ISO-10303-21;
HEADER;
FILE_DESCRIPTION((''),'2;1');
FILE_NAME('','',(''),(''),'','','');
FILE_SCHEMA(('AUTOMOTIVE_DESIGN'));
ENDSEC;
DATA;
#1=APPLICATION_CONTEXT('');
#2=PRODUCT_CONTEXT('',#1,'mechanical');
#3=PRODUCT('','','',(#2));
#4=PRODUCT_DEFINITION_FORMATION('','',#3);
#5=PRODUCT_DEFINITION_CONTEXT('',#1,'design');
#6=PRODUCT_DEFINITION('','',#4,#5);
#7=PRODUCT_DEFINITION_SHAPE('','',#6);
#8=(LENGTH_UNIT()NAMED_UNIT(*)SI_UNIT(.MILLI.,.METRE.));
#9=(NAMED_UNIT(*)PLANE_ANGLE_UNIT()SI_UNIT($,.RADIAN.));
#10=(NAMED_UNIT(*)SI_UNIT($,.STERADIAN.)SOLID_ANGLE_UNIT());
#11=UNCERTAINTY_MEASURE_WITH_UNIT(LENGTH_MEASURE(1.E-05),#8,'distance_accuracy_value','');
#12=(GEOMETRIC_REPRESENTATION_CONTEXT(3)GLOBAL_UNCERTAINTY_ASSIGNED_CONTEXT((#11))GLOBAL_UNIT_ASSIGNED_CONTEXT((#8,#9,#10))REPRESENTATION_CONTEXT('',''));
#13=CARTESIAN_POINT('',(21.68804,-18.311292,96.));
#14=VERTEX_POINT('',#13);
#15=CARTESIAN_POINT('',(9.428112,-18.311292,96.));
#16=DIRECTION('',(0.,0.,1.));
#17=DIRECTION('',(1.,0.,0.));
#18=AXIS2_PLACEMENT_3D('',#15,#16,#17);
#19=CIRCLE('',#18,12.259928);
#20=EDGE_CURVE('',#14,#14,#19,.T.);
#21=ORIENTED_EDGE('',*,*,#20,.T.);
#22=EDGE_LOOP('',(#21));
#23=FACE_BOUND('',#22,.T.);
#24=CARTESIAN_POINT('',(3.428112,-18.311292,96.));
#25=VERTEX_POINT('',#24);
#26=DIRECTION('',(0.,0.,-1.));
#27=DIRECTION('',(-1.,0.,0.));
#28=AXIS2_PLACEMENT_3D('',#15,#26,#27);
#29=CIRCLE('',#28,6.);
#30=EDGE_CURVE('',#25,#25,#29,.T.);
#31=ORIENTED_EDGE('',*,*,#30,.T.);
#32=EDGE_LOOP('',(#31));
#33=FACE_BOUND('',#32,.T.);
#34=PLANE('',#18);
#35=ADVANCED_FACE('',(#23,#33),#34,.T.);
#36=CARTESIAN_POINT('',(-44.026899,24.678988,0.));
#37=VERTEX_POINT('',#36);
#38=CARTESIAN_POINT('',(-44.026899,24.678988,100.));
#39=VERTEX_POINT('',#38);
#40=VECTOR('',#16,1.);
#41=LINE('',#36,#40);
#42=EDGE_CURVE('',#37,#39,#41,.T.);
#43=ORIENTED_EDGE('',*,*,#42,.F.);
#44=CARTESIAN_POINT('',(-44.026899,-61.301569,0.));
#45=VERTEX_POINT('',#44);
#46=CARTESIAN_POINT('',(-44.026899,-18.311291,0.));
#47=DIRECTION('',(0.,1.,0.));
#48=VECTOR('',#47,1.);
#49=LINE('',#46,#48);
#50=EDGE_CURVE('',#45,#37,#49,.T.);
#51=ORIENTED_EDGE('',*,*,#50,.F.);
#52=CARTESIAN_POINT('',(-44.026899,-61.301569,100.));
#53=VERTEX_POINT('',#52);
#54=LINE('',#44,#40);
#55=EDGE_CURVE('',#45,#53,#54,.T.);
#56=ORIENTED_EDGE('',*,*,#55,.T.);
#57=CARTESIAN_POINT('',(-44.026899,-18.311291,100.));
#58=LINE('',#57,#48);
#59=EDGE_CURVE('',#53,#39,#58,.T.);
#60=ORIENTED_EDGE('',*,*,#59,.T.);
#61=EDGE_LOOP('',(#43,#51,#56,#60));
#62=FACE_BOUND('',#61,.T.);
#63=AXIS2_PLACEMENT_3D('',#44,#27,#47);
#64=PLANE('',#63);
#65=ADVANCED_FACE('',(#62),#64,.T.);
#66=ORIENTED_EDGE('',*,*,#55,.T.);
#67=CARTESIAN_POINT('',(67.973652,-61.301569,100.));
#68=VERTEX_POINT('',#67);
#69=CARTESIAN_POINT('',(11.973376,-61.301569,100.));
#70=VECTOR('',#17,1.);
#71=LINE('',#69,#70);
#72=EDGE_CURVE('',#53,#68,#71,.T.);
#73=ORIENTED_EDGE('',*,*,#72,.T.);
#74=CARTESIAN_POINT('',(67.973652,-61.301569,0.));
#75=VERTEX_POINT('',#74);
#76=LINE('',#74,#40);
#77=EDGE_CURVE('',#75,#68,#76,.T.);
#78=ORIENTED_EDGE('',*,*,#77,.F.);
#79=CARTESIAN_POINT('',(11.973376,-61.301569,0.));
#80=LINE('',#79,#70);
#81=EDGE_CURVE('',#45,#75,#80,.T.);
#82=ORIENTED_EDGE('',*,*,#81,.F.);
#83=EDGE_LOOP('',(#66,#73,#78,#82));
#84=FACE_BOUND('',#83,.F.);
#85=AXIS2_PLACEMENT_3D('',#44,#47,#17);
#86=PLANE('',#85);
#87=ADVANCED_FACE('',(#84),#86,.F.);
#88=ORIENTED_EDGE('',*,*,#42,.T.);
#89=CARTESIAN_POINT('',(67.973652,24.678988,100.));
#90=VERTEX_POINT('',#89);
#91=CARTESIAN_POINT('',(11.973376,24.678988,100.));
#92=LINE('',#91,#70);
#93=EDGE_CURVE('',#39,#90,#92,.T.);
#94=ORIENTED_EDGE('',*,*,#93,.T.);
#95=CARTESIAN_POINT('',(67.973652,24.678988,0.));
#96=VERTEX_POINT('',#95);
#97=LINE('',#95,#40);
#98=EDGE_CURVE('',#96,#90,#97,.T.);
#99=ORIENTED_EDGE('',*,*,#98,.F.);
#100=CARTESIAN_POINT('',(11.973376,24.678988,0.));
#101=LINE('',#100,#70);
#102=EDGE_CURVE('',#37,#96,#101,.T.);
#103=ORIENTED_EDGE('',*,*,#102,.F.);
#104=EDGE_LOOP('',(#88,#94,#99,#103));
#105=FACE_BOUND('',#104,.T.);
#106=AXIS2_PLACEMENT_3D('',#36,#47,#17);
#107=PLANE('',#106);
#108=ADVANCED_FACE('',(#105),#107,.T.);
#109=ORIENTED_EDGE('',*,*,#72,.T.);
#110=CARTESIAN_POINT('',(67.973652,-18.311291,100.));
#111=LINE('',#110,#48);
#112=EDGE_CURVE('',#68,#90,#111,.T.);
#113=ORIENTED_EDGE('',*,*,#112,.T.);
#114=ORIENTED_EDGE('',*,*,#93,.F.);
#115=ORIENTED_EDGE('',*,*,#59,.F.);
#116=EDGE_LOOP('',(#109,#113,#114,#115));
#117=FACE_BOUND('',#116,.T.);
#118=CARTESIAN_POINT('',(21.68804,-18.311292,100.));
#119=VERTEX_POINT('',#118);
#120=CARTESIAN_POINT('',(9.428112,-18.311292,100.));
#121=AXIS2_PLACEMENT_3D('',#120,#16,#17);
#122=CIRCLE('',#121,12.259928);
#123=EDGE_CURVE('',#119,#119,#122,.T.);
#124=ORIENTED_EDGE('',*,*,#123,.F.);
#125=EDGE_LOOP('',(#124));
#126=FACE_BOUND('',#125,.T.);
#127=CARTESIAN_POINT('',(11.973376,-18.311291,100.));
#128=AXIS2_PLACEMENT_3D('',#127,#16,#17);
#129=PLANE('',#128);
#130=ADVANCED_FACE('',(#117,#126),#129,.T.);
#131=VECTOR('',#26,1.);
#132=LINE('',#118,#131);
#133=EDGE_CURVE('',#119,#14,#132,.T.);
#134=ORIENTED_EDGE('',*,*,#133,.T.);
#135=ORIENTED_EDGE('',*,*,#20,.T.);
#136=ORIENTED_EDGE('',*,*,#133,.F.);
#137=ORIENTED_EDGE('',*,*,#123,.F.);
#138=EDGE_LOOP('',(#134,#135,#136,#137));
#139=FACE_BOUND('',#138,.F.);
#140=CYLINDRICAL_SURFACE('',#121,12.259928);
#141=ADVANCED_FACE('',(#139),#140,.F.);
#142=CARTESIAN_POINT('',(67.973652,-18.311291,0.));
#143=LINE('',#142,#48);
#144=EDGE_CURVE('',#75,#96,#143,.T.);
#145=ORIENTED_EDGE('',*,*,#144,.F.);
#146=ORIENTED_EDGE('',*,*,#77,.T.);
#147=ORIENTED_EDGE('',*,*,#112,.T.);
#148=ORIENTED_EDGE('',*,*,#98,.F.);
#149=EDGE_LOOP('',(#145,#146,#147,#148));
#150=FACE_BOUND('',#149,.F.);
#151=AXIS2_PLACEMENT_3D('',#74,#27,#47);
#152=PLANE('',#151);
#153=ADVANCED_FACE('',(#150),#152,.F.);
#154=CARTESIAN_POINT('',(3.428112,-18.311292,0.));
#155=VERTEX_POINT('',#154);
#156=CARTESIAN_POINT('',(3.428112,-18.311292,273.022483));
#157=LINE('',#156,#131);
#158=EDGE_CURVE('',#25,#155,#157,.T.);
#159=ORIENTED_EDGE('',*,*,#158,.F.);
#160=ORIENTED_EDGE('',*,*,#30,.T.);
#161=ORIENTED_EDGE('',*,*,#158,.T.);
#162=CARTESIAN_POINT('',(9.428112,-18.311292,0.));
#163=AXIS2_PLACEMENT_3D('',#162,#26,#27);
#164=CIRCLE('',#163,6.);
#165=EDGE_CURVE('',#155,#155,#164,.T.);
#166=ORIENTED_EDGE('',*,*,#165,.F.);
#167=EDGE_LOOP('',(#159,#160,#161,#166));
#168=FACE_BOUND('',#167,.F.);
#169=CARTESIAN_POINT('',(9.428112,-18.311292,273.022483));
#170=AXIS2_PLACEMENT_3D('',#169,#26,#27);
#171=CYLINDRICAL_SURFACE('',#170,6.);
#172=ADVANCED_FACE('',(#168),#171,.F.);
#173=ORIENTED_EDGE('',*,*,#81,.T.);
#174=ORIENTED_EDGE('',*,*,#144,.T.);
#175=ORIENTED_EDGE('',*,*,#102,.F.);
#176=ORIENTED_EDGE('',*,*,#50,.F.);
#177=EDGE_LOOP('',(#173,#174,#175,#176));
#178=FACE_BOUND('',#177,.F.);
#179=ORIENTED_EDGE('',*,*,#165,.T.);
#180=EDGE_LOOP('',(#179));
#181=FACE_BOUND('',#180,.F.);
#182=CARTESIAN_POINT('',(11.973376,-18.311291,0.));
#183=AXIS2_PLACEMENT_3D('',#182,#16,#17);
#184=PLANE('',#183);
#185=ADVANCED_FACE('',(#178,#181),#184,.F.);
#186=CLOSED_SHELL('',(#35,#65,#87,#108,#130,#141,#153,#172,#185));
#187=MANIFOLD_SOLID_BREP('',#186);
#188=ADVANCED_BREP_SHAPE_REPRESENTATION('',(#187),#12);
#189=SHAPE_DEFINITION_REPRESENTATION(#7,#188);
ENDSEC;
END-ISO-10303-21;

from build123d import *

# Parameters (mm, degrees)
F0_W     = 112.000551
F0_H     = 85.980557
F1_DEPTH = 100
F3_D     = 12
F4_R     = 12.259928
F5_DEPTH = 4


with BuildPart() as f1:
    # F0 (on Top) → F1 (new body)
    with BuildSketch(Plane.XY):
        with Locations((11.973376, -18.311291)):
            Rectangle(F0_W, F0_H)
    extrude(amount=F1_DEPTH)

    # F3 (through all)
    with Locations(Plane.XY.offset(100)):
        with Locations((9.428112, -18.311292)):
            Hole(F3_D / 2)

    # F4 (on face) → F5 (cut)
    with BuildSketch(Plane.XY.offset(100)):
        with Locations((9.428112, -18.311292)):
            Circle(F4_R)
    extrude(amount=-F5_DEPTH, mode=Mode.SUBTRACT)


solid = f1.part
